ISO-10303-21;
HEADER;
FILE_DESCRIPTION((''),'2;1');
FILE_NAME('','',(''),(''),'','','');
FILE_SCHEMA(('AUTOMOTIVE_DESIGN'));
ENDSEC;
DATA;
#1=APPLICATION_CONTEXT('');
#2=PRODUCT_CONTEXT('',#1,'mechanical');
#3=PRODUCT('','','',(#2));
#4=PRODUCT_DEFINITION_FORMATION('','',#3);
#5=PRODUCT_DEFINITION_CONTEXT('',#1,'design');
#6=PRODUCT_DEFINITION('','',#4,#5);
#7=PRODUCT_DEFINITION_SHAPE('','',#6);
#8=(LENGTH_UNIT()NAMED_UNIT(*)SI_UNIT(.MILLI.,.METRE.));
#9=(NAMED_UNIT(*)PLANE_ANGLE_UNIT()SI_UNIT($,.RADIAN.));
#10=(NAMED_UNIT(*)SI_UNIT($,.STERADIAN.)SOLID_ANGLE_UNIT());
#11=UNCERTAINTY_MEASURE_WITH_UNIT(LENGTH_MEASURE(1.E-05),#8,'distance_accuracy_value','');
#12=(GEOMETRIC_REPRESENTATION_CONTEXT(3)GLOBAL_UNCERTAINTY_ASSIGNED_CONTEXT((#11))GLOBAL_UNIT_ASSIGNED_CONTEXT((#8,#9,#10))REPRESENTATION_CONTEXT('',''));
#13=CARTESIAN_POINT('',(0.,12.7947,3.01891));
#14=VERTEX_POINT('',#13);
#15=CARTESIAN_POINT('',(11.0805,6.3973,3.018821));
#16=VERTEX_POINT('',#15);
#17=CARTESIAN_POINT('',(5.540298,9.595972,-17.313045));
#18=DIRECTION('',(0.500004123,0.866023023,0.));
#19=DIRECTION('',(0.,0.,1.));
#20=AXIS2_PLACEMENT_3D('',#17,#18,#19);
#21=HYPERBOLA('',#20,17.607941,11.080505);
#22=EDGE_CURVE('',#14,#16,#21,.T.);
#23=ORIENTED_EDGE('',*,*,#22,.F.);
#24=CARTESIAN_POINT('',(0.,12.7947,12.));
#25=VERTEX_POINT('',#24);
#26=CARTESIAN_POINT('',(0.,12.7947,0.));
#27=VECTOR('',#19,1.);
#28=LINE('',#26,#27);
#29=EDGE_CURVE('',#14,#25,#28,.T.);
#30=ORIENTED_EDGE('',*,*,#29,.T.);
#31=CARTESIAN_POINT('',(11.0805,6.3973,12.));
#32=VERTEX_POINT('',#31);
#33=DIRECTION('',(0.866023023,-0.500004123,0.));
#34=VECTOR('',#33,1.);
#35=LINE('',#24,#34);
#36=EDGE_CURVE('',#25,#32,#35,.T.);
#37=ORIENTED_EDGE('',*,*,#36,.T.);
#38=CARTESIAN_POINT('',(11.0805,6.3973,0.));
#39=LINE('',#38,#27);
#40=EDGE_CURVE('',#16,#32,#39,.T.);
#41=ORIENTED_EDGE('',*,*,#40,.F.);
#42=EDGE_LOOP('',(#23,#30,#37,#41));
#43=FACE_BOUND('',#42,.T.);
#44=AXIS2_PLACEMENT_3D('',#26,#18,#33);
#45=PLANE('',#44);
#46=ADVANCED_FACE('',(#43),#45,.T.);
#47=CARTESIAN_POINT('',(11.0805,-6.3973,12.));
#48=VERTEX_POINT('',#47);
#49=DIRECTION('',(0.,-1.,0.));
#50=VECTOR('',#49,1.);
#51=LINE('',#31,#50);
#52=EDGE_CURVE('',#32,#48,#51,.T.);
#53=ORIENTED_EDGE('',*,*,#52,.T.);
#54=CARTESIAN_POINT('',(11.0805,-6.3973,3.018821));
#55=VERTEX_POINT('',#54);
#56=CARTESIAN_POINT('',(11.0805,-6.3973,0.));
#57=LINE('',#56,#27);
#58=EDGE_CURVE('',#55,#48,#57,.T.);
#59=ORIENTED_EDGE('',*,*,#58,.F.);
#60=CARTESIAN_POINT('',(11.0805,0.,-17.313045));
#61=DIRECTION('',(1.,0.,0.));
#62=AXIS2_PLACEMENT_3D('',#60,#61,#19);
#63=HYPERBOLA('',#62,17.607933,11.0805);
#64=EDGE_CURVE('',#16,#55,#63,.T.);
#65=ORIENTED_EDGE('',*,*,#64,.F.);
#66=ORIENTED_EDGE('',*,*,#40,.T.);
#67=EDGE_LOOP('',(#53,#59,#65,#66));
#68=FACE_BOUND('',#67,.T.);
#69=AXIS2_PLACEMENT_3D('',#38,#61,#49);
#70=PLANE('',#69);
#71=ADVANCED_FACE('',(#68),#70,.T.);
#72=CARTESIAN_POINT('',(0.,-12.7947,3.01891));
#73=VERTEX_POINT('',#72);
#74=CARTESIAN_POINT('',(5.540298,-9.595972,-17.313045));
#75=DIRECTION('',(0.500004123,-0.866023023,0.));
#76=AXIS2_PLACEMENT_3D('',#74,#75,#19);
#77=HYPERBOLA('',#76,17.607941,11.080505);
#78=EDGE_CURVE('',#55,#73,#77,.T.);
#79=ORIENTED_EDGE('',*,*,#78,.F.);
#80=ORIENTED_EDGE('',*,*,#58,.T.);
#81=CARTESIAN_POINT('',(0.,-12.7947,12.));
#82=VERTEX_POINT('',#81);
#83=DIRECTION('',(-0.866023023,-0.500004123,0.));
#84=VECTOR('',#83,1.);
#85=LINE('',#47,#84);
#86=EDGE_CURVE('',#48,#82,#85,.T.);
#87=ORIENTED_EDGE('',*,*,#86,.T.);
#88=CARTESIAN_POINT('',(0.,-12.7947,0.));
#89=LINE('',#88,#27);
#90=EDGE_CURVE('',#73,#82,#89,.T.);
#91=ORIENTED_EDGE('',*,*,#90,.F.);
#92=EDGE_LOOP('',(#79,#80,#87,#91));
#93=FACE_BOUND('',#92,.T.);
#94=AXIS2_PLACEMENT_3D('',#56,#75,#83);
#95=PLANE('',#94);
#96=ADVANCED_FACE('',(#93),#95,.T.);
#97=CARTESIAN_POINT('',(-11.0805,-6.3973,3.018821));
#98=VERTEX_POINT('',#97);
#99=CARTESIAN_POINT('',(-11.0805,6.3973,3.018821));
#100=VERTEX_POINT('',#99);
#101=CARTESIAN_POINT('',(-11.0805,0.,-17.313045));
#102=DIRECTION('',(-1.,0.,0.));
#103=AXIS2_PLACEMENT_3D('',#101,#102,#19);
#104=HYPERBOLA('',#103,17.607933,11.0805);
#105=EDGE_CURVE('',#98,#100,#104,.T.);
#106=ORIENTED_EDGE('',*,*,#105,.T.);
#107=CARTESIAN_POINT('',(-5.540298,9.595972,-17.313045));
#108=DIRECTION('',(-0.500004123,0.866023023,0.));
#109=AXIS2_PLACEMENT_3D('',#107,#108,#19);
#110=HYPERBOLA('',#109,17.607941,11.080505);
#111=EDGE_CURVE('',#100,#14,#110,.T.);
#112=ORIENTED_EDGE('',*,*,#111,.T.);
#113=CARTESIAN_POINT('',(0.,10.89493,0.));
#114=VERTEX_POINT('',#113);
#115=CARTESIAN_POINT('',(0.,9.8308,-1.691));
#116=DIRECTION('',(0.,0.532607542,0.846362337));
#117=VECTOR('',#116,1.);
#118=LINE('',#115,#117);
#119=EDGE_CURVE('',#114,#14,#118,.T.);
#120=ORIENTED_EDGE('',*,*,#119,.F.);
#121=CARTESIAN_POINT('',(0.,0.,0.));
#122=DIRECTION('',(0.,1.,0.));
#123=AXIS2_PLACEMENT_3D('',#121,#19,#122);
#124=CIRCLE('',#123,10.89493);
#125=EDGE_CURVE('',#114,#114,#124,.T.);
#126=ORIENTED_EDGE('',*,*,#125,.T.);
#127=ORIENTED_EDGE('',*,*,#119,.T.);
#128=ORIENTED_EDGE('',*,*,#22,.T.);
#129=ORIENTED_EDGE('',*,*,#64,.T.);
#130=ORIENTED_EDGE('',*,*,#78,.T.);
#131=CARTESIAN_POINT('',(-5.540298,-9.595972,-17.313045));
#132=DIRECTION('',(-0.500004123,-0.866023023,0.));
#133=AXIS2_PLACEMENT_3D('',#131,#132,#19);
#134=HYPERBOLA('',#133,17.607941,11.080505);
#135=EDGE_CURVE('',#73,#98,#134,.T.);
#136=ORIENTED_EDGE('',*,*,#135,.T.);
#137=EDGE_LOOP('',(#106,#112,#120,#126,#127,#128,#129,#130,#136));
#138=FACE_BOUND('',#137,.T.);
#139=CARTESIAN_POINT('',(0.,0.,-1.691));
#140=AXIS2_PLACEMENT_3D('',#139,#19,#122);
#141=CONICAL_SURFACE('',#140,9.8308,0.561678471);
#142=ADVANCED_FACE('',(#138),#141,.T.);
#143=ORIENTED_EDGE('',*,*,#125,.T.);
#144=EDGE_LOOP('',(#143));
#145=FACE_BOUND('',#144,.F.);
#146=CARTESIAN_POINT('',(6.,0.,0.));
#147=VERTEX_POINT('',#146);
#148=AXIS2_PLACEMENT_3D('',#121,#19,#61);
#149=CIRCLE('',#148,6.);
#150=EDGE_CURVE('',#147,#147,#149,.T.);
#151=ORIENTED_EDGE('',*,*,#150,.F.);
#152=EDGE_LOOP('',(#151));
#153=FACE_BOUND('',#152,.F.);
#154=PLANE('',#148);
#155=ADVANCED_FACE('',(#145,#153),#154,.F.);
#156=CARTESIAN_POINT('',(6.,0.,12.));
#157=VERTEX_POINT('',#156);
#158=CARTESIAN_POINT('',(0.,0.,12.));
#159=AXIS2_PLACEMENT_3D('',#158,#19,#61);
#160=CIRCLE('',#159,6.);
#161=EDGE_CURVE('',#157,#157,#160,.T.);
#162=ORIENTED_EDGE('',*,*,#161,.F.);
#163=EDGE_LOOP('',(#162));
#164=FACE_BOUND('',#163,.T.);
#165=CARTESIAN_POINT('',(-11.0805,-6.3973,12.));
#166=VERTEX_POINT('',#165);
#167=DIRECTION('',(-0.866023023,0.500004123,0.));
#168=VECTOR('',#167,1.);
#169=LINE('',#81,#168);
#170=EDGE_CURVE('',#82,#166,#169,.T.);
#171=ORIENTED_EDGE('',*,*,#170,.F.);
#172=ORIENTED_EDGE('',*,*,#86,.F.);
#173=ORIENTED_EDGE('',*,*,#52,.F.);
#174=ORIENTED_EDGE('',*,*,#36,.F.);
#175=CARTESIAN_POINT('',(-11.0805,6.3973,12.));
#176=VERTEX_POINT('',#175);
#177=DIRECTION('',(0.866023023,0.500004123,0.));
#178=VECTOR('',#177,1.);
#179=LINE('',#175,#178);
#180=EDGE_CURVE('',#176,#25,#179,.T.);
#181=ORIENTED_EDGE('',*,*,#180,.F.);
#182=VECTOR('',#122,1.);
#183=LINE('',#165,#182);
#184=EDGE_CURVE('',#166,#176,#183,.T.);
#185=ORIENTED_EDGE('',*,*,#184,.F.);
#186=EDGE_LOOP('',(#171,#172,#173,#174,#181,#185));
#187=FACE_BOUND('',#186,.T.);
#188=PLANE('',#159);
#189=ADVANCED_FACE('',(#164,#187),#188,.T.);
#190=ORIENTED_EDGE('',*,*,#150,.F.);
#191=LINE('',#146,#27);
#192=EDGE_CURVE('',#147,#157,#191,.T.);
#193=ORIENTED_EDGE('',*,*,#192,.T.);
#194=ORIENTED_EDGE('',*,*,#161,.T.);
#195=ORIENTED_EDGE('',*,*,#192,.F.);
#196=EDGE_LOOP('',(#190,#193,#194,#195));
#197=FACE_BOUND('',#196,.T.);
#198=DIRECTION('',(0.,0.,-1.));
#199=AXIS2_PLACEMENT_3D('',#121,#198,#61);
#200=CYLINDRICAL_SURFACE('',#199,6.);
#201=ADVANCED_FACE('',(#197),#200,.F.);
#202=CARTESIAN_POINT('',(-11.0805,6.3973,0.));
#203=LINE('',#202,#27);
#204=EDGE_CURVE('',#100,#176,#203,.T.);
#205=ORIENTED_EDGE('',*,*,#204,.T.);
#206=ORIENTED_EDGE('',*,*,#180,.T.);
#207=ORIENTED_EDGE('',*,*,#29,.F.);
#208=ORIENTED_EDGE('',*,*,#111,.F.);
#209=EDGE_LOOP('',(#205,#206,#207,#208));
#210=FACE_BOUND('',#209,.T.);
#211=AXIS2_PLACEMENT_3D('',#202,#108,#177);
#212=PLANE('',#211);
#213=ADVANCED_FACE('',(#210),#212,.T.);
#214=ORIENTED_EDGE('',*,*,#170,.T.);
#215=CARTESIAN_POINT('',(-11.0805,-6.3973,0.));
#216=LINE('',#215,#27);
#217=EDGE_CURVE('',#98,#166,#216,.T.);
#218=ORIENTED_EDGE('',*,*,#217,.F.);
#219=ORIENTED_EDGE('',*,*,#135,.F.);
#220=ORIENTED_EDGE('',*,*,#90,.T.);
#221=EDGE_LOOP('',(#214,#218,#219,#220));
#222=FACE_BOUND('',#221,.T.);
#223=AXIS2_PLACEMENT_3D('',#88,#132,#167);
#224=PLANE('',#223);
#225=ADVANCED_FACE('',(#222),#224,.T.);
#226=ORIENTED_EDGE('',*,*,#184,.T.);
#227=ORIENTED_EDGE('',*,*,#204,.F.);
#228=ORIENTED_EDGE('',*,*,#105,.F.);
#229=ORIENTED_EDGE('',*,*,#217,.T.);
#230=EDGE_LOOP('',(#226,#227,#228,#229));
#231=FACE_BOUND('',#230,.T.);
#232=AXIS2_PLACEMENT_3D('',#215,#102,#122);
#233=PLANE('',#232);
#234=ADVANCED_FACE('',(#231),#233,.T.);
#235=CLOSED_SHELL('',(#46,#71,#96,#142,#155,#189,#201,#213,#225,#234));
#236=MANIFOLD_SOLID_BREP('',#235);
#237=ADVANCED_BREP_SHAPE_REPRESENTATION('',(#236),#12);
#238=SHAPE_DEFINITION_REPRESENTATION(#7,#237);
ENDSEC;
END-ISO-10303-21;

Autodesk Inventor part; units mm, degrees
ref_plane "YZ Plane" through (0, 0, 0) normal (1, 0, 0) x (0, 1, 0)
ref_plane "XZ Plane" through (0, 0, 0) normal (0, 1, 0) x (-1, 0, 0)
ref_plane "XY Plane" through (0, 0, 0) normal (0, 0, 1) x (1, 0, 0)
sketch "Sketch2" plane through (0, 0, 0) normal (0, 0, 1) x (1, 0, 0)
  line L0 (0, 12.7947) -> (11.0805, 6.3973)
  line L1 (11.0805, 6.3973) -> (11.0805, -6.3973)
  line L2 (11.0805, -6.3973) -> (0, -12.7947)
  line L3 (0, -12.7947) -> (-11.0805, -6.3973)
  line L4 (-11.0805, -6.3973) -> (-11.0805, 6.3973)
  line L5 (-11.0805, 6.3973) -> (0, 12.7947)
  circle A0 centre (0, 0) radius 6
  dimension "d0" = 12
extrude "Extrusion1" add sketch "Sketch2" along normal blind 12
sketch "Sketch5" plane through (0, 0, 0) normal (1, 0, 0) x (0, 1, 0)
  line L0 (13.8205, 4.649) -> (13.8205, -1.691)
  line L1 (13.8205, -1.691) -> (9.8308, -1.691)
  line L2 (9.8308, -1.691) -> (13.8205, 4.649)
  line L3 (0, -4.894) -> (0, 14.8157) projected
  point P0 (0, 0)
revolve "Revolution1" cut sketch "Sketch5" angle 360 about axis through (0, 0, 0) along (0, 0, 1)
properties part number "nut M12"
